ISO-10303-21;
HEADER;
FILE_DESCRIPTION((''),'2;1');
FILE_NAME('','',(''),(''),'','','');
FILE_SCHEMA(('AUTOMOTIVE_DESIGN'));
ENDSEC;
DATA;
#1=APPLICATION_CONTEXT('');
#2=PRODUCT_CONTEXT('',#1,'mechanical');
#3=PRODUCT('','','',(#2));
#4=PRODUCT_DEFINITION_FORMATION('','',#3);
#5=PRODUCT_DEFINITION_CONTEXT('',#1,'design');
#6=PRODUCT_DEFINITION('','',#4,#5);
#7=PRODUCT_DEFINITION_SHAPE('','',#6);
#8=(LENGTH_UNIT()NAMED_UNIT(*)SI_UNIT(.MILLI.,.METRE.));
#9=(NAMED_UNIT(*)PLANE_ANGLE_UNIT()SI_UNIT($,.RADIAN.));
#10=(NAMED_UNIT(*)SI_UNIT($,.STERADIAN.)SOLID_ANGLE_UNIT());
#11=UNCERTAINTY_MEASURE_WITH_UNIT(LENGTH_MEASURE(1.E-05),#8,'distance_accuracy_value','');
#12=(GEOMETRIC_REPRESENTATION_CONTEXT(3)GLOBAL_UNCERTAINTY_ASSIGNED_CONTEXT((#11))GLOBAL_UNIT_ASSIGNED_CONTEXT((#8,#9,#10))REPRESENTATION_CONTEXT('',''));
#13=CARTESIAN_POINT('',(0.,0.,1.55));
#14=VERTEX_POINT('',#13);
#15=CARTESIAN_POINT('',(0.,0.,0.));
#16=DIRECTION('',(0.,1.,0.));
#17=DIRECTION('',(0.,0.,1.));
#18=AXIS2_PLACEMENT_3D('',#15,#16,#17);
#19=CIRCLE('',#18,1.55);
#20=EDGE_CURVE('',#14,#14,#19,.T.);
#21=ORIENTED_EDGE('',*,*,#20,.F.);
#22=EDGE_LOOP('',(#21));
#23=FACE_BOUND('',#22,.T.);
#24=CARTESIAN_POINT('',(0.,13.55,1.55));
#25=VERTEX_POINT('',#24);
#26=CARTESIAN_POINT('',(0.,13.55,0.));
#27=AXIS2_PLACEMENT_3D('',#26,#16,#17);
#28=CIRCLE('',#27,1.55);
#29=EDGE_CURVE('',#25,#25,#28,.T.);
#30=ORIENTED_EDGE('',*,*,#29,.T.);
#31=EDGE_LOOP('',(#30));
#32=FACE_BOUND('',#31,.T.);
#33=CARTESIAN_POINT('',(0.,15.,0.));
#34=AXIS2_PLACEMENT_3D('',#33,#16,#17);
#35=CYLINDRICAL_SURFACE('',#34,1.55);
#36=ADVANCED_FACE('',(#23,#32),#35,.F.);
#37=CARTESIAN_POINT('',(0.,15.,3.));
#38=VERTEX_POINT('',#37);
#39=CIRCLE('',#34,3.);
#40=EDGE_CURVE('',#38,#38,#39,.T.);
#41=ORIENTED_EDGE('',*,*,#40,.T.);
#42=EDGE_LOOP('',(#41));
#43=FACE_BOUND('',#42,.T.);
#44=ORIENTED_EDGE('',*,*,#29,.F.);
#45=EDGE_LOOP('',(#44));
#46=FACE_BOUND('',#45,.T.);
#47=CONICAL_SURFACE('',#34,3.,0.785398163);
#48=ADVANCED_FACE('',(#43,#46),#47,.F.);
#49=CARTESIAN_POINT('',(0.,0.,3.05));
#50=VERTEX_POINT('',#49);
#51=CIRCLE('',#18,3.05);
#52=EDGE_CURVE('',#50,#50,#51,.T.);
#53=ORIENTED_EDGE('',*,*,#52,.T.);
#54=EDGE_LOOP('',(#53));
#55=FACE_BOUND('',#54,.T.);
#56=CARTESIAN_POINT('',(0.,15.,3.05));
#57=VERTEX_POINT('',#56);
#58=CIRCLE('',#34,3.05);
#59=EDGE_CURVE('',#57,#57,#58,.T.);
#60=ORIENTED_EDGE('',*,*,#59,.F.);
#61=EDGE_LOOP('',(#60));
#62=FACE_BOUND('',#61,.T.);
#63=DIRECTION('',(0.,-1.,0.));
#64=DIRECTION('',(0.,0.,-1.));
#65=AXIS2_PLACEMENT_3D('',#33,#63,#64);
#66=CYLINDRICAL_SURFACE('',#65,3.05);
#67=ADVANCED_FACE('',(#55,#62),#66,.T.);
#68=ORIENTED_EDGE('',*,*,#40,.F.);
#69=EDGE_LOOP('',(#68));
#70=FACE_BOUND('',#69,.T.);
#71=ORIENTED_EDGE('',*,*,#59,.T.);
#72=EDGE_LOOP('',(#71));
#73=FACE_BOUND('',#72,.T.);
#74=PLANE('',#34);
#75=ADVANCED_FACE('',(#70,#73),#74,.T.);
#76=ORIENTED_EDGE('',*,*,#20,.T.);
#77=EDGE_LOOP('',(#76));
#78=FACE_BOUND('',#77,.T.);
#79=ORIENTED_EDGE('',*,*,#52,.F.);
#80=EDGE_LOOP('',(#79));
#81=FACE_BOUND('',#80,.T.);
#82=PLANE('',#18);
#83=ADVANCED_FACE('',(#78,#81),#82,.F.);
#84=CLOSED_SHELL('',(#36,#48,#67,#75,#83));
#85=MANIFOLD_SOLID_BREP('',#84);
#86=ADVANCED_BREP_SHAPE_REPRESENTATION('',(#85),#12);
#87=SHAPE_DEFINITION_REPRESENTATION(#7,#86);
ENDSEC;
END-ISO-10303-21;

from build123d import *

# Parameters (mm, degrees)
SKETCH1_R                                       = 3.05
BOSS_EXTRUDE1_DEPTH                             = 15
CSK_FOR_M3_FLAT_HEAD_MACHINE_SCREW1_D           = 3.1
CSK_FOR_M3_FLAT_HEAD_MACHINE_SCREW1_DEPTH       = 54.068666041
CSK_FOR_M3_FLAT_HEAD_MACHINE_SCREW1_CSINK_D     = 6
CSK_FOR_M3_FLAT_HEAD_MACHINE_SCREW1_CSINK_ANGLE = 90
CSK_FOR_M3_FLAT_HEAD_MACHINE_SCREW1_TIP         = 0.931333959


with BuildPart() as part:
    # Sketch1 → Boss-Extrude1 (new body)
    with BuildSketch(Plane(origin=(0, 0, 0), x_dir=(1, 0, 0), z_dir=(0, 1, 0))):
        with Locations(Location((0, 0, 0), (0, 0, 270))):
            Circle(SKETCH1_R)
    extrude(amount=BOSS_EXTRUDE1_DEPTH)

    # CSK for M3 Flat Head Machine Screw1
    with Locations(Plane(origin=(0, 15, 0), x_dir=(1, 0, 0), z_dir=(0, 1, 0))):
        with Locations((0, 0)):
            CounterSinkHole(CSK_FOR_M3_FLAT_HEAD_MACHINE_SCREW1_D / 2, CSK_FOR_M3_FLAT_HEAD_MACHINE_SCREW1_CSINK_D / 2, depth=CSK_FOR_M3_FLAT_HEAD_MACHINE_SCREW1_DEPTH, counter_sink_angle=CSK_FOR_M3_FLAT_HEAD_MACHINE_SCREW1_CSINK_ANGLE)
            with Locations((0, 0, -(CSK_FOR_M3_FLAT_HEAD_MACHINE_SCREW1_DEPTH + CSK_FOR_M3_FLAT_HEAD_MACHINE_SCREW1_TIP / 2))):  # 118° drill point
                Cone(0, CSK_FOR_M3_FLAT_HEAD_MACHINE_SCREW1_D / 2, CSK_FOR_M3_FLAT_HEAD_MACHINE_SCREW1_TIP, mode=Mode.SUBTRACT)


solid = part.part
